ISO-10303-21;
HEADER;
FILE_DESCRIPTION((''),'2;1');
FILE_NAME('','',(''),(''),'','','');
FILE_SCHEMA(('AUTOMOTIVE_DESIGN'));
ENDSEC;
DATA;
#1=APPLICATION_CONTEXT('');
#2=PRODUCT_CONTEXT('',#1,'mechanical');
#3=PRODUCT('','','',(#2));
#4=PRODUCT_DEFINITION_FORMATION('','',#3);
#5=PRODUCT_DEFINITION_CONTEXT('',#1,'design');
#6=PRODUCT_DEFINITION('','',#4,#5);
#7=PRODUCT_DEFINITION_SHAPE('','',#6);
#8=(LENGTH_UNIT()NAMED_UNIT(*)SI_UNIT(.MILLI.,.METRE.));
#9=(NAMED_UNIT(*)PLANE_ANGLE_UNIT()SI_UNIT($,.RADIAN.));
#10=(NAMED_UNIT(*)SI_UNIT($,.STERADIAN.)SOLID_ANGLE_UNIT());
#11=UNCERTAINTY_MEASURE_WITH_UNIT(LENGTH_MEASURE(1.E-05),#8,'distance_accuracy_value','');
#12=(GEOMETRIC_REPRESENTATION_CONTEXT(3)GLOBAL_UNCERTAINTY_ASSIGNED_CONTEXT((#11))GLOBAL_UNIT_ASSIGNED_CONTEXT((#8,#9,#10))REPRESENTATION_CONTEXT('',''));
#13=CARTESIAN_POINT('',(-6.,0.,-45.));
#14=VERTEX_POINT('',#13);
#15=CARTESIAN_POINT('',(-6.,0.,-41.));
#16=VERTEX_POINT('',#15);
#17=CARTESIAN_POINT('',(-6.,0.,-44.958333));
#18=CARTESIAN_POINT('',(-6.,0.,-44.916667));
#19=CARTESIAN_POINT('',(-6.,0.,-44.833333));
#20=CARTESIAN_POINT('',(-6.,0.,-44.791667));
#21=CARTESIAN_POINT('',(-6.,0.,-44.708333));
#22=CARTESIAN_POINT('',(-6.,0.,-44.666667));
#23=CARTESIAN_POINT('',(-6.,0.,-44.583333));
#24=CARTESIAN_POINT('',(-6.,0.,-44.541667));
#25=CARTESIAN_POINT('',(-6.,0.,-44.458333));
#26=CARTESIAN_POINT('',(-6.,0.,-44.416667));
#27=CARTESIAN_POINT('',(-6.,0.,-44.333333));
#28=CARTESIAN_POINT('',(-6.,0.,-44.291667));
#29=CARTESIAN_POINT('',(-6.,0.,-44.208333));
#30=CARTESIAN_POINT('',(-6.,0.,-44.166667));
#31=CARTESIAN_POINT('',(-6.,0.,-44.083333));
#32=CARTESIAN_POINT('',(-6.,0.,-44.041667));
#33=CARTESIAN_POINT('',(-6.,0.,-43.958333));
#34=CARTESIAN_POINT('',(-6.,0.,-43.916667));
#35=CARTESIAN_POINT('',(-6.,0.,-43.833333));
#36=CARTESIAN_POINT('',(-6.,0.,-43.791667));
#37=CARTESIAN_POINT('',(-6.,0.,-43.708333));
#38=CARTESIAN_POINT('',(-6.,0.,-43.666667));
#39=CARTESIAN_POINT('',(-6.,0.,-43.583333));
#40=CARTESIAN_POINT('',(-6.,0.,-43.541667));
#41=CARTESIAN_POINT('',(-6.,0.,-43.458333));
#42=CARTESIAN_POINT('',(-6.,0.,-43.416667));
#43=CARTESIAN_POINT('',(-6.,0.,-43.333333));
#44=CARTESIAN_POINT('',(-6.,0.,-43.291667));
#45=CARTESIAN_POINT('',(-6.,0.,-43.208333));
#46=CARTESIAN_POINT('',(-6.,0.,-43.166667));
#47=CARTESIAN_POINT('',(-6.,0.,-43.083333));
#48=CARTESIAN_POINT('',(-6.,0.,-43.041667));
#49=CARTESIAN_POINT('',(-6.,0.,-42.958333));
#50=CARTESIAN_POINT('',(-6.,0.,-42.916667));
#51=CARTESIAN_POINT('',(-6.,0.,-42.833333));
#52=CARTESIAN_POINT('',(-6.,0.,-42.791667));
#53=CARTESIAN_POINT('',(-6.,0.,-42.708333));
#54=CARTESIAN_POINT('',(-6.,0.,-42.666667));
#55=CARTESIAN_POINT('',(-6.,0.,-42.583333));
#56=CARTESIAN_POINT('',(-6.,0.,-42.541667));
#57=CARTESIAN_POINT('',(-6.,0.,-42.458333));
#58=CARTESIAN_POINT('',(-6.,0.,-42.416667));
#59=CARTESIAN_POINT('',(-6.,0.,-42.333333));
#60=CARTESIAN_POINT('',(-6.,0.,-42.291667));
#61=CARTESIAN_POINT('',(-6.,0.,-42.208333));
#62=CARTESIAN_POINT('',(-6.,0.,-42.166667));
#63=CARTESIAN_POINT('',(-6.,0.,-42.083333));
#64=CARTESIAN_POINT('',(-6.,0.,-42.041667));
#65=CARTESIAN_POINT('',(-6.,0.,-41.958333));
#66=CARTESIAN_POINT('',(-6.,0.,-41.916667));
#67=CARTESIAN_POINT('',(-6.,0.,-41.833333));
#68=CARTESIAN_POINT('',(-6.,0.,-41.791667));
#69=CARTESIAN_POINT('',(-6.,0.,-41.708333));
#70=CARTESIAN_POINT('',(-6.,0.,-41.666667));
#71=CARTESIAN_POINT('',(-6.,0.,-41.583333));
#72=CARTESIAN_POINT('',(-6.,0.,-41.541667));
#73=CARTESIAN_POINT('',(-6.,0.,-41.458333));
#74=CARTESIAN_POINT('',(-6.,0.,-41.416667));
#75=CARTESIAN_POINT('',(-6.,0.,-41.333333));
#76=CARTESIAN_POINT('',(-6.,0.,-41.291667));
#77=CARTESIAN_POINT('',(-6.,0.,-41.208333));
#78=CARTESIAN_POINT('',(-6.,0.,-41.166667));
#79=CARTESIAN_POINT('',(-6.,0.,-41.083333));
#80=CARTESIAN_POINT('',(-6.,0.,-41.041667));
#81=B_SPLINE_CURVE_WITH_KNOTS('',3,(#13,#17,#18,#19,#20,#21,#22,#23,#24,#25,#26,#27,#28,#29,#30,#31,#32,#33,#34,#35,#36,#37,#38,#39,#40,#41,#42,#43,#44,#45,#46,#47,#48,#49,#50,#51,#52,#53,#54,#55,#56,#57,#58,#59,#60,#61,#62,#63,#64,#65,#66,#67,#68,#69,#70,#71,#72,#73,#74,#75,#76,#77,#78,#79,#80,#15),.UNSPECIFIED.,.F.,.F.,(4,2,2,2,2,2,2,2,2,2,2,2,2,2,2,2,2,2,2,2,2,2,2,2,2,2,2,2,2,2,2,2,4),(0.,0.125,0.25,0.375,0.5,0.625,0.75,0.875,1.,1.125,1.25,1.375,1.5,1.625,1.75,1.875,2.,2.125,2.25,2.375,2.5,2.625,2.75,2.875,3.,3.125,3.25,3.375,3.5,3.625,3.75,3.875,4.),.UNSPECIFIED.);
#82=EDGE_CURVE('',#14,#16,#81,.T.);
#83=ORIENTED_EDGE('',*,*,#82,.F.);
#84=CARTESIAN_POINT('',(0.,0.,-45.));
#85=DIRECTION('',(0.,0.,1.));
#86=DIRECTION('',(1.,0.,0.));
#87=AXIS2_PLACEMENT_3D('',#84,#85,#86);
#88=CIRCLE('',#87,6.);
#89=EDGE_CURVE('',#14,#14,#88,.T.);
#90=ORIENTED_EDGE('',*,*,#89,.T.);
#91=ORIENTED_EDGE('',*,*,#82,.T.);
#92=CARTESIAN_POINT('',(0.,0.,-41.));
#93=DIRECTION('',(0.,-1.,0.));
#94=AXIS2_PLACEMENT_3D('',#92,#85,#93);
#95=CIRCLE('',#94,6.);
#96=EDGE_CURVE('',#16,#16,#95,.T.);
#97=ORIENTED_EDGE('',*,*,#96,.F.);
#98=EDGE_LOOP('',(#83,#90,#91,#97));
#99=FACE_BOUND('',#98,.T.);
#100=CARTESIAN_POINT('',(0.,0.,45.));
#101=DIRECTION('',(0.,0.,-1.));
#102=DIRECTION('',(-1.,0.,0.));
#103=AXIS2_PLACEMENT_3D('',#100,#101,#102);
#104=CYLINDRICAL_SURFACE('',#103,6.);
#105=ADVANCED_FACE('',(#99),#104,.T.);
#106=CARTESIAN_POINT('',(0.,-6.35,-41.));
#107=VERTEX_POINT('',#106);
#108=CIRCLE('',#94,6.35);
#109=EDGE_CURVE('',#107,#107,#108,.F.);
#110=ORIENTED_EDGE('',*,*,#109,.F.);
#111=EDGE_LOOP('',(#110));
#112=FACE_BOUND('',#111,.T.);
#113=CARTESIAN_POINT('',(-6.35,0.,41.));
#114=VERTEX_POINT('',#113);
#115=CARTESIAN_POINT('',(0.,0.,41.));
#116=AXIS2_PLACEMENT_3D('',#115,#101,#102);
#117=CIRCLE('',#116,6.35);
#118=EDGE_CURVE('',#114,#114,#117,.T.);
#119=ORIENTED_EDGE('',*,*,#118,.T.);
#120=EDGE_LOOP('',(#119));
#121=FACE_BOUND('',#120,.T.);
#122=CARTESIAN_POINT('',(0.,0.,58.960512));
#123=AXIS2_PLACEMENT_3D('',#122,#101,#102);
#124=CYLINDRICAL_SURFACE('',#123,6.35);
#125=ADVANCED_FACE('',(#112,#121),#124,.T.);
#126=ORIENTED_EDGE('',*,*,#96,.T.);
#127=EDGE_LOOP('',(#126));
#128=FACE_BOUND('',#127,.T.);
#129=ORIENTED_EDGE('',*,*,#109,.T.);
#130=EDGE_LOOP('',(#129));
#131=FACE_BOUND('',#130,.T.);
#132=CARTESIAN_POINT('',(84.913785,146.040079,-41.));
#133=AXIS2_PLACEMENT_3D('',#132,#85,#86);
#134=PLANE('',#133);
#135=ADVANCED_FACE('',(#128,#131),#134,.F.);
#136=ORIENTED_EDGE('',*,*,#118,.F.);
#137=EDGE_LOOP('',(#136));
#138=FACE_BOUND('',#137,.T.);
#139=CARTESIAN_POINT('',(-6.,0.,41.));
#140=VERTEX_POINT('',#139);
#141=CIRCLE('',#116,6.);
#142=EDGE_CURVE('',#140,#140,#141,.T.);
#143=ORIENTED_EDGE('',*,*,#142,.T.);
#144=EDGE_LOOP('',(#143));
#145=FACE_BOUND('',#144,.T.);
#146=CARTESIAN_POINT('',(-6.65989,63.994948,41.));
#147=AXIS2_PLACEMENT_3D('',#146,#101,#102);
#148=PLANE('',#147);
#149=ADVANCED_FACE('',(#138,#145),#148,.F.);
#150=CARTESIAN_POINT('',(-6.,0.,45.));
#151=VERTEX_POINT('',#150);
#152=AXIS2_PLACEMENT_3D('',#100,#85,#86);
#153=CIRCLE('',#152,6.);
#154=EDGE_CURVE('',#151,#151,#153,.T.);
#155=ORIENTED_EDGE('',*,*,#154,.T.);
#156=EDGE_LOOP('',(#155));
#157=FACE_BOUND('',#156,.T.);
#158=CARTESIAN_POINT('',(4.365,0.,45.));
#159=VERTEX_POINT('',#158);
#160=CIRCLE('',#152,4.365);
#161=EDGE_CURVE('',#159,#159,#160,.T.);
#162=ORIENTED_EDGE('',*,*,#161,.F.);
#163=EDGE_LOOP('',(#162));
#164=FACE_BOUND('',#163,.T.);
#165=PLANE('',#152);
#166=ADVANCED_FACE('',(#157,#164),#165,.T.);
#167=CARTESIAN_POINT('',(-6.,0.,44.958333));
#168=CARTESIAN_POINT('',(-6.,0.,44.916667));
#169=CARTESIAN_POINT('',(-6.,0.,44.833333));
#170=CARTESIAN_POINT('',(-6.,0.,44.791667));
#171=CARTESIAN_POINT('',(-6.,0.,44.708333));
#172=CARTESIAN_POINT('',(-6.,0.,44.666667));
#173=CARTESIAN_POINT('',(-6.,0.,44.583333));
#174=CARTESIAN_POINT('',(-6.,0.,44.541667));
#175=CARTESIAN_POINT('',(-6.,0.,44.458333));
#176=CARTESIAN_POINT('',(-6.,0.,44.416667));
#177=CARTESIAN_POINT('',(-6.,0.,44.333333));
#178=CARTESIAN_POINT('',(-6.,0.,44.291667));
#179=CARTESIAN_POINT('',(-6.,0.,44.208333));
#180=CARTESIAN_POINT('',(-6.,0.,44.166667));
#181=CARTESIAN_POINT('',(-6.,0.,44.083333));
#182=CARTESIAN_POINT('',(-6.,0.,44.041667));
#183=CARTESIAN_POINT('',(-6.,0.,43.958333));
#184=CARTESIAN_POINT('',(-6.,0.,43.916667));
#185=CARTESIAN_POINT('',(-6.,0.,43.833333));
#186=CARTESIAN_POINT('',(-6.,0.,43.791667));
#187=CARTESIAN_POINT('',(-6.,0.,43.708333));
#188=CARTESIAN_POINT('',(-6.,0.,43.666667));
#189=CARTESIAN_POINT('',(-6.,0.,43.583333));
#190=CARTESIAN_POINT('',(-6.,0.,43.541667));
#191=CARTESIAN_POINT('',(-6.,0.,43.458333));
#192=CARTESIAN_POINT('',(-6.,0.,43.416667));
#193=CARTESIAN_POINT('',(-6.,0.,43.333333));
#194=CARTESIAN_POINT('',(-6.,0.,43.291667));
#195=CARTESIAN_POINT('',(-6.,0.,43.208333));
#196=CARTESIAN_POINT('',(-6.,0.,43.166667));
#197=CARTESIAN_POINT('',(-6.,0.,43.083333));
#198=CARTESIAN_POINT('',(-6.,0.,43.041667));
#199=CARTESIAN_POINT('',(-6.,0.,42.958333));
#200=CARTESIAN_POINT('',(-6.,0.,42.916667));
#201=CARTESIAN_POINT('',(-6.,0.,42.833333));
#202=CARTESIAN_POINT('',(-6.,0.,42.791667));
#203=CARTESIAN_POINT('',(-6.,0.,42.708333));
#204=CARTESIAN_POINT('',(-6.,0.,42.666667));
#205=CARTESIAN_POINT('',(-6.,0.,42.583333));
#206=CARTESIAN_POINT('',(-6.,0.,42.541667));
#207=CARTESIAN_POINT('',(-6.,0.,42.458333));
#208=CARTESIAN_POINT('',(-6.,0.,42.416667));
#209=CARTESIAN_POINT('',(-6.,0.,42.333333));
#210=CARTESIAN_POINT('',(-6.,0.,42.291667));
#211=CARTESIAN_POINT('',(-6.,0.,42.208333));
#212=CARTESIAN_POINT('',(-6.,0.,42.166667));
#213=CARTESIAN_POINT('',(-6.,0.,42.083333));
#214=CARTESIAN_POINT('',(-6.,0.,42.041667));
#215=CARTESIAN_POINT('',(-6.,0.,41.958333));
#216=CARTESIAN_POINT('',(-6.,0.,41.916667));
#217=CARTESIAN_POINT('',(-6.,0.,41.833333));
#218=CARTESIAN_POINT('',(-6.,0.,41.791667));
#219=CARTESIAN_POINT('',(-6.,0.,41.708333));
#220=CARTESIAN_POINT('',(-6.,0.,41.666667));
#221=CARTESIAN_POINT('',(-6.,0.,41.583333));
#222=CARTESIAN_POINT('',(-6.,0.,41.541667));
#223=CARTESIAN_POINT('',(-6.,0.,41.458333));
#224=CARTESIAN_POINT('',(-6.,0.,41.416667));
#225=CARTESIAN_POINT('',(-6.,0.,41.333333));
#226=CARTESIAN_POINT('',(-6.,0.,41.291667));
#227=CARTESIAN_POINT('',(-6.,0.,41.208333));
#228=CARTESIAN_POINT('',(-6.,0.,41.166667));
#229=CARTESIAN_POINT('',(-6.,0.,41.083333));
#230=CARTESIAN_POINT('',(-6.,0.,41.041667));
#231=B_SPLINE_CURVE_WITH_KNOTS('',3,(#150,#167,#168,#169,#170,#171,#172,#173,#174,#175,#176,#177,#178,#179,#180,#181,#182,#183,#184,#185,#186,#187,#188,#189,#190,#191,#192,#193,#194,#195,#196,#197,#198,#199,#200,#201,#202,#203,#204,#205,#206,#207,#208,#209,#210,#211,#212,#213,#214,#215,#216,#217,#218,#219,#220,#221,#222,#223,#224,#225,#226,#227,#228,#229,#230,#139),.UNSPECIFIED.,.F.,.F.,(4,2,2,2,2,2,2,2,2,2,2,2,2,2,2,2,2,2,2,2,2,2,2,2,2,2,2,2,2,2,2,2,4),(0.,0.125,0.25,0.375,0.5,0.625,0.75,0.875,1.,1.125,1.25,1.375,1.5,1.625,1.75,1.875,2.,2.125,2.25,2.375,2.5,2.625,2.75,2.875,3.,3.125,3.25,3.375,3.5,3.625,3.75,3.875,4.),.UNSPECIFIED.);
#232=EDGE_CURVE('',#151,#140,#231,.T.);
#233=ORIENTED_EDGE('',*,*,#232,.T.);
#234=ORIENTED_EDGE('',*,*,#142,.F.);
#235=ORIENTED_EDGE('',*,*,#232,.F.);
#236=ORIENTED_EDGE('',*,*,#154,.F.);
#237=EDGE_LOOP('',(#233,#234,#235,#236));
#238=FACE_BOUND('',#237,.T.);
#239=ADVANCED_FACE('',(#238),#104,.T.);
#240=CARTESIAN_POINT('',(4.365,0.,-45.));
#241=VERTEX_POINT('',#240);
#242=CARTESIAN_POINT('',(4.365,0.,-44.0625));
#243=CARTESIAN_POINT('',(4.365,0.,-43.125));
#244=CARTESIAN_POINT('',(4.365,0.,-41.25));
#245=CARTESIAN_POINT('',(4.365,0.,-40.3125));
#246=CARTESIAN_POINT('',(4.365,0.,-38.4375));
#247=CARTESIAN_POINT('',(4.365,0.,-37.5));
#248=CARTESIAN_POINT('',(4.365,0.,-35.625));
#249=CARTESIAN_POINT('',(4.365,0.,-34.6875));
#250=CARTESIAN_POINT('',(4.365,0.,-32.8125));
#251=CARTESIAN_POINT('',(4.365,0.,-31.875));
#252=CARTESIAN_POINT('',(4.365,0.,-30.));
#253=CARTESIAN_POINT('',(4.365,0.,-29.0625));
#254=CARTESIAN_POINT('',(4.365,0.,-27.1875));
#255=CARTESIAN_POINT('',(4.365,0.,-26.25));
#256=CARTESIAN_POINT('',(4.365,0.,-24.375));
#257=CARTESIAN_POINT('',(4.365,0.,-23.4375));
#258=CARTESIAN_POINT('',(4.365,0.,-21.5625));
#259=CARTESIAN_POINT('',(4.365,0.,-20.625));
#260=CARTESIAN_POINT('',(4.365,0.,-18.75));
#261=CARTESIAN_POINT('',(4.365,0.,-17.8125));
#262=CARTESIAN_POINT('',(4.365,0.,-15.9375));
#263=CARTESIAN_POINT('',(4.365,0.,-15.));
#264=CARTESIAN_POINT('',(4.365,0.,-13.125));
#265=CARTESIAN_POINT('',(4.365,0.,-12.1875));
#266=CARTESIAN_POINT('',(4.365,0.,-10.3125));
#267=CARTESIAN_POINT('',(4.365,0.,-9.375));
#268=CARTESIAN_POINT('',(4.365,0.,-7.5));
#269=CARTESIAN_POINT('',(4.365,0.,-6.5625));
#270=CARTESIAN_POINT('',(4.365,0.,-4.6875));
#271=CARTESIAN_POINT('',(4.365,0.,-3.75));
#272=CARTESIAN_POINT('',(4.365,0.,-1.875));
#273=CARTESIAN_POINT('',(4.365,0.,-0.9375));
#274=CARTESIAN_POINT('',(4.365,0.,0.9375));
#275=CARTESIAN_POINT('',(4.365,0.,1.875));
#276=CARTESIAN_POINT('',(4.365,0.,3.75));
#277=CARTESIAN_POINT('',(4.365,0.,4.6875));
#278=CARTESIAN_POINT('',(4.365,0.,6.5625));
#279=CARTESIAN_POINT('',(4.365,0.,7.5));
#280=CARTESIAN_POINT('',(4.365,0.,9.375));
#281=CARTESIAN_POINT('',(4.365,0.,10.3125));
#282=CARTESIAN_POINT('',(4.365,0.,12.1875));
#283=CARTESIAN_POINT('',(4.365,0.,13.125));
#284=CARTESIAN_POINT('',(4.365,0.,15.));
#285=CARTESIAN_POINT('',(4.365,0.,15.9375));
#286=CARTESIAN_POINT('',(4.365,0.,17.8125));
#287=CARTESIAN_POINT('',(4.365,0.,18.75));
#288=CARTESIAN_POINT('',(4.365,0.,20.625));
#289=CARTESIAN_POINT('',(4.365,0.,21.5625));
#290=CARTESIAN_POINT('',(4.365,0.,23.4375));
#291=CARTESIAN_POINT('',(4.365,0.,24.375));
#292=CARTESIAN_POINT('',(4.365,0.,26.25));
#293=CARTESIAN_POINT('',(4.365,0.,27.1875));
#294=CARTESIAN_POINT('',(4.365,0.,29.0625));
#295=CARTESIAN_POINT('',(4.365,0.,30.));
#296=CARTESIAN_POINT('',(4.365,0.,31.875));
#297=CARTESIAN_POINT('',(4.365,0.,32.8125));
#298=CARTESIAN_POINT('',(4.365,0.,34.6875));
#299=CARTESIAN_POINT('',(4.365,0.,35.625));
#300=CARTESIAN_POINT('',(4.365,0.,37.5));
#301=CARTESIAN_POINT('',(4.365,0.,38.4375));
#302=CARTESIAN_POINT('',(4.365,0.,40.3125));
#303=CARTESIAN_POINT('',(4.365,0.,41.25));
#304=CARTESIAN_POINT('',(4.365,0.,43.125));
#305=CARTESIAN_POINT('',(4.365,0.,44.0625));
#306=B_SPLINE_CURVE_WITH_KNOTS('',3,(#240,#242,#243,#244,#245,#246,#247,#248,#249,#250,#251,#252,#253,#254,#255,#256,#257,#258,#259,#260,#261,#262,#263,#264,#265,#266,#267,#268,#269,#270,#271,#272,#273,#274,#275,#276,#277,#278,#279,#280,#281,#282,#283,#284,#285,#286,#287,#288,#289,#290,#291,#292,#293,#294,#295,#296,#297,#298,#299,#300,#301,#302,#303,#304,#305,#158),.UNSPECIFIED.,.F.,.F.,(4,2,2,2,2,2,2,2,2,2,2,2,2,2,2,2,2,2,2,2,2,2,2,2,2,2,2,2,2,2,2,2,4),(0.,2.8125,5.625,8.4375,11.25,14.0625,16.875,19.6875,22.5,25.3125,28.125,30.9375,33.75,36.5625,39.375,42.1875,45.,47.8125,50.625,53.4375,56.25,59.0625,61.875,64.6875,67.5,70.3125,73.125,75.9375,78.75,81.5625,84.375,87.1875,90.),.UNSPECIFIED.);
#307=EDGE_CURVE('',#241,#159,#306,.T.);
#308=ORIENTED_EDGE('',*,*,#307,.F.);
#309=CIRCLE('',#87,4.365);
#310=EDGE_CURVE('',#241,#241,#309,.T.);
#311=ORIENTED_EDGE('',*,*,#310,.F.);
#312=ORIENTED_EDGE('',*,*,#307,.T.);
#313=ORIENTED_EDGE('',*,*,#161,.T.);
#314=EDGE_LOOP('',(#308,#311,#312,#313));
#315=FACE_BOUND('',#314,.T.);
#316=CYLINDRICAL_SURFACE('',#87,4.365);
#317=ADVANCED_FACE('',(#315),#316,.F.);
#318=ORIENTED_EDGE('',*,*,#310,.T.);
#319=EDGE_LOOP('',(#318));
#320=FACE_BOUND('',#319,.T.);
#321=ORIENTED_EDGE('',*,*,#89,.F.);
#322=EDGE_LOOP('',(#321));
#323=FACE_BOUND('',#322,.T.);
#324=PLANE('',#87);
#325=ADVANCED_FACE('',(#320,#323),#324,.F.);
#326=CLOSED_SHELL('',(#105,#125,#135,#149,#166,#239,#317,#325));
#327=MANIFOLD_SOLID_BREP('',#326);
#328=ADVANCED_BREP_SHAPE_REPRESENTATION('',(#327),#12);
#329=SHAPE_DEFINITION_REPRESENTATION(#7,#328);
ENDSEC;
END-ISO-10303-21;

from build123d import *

# Parameters (mm, degrees)
EXTRUDE1_DEPTH          = 45
EXTRUDE1_DEPTH_BACK     = 45
SKETCH1_R               = 6
EXTRUDE2_DEPTH          = 41
EXTRUDE2_DEPTH_BACK     = 41
SKETCH2_R               = 6.35
CUT_EXTRUDE1_DEPTH      = 46.887307613
CUT_EXTRUDE1_DEPTH_BACK = 46.887307613
SKETCH3_R               = 4.365


with BuildPart() as part:
    # Sketch1 → Extrude1 (new, two sides: drawn at the far end of the back side and taken through both)
    with BuildSketch(Plane.XY.offset(-EXTRUDE1_DEPTH_BACK)):
        with Locations(Location((0, 0, 0), (0, 0, 180))):
            Circle(SKETCH1_R)
    extrude(amount=EXTRUDE1_DEPTH + EXTRUDE1_DEPTH_BACK)

    # Sketch2 → Extrude2 (add, two sides: drawn at the far end of the back side and taken through both)
    with BuildSketch(Plane.XY.offset(-EXTRUDE2_DEPTH_BACK)):
        with Locations(Location((0, 0, 0), (0, 0, 180))):
            Circle(SKETCH2_R)
    extrude(amount=EXTRUDE2_DEPTH + EXTRUDE2_DEPTH_BACK)

    # Sketch3 → Cut-Extrude1 (cut, two sides: drawn at the far end of the back side and taken through both)
    with BuildSketch(Plane.XY.offset(-CUT_EXTRUDE1_DEPTH_BACK)):
        Circle(SKETCH3_R)
    extrude(amount=CUT_EXTRUDE1_DEPTH + CUT_EXTRUDE1_DEPTH_BACK, mode=Mode.SUBTRACT)


solid = part.part
